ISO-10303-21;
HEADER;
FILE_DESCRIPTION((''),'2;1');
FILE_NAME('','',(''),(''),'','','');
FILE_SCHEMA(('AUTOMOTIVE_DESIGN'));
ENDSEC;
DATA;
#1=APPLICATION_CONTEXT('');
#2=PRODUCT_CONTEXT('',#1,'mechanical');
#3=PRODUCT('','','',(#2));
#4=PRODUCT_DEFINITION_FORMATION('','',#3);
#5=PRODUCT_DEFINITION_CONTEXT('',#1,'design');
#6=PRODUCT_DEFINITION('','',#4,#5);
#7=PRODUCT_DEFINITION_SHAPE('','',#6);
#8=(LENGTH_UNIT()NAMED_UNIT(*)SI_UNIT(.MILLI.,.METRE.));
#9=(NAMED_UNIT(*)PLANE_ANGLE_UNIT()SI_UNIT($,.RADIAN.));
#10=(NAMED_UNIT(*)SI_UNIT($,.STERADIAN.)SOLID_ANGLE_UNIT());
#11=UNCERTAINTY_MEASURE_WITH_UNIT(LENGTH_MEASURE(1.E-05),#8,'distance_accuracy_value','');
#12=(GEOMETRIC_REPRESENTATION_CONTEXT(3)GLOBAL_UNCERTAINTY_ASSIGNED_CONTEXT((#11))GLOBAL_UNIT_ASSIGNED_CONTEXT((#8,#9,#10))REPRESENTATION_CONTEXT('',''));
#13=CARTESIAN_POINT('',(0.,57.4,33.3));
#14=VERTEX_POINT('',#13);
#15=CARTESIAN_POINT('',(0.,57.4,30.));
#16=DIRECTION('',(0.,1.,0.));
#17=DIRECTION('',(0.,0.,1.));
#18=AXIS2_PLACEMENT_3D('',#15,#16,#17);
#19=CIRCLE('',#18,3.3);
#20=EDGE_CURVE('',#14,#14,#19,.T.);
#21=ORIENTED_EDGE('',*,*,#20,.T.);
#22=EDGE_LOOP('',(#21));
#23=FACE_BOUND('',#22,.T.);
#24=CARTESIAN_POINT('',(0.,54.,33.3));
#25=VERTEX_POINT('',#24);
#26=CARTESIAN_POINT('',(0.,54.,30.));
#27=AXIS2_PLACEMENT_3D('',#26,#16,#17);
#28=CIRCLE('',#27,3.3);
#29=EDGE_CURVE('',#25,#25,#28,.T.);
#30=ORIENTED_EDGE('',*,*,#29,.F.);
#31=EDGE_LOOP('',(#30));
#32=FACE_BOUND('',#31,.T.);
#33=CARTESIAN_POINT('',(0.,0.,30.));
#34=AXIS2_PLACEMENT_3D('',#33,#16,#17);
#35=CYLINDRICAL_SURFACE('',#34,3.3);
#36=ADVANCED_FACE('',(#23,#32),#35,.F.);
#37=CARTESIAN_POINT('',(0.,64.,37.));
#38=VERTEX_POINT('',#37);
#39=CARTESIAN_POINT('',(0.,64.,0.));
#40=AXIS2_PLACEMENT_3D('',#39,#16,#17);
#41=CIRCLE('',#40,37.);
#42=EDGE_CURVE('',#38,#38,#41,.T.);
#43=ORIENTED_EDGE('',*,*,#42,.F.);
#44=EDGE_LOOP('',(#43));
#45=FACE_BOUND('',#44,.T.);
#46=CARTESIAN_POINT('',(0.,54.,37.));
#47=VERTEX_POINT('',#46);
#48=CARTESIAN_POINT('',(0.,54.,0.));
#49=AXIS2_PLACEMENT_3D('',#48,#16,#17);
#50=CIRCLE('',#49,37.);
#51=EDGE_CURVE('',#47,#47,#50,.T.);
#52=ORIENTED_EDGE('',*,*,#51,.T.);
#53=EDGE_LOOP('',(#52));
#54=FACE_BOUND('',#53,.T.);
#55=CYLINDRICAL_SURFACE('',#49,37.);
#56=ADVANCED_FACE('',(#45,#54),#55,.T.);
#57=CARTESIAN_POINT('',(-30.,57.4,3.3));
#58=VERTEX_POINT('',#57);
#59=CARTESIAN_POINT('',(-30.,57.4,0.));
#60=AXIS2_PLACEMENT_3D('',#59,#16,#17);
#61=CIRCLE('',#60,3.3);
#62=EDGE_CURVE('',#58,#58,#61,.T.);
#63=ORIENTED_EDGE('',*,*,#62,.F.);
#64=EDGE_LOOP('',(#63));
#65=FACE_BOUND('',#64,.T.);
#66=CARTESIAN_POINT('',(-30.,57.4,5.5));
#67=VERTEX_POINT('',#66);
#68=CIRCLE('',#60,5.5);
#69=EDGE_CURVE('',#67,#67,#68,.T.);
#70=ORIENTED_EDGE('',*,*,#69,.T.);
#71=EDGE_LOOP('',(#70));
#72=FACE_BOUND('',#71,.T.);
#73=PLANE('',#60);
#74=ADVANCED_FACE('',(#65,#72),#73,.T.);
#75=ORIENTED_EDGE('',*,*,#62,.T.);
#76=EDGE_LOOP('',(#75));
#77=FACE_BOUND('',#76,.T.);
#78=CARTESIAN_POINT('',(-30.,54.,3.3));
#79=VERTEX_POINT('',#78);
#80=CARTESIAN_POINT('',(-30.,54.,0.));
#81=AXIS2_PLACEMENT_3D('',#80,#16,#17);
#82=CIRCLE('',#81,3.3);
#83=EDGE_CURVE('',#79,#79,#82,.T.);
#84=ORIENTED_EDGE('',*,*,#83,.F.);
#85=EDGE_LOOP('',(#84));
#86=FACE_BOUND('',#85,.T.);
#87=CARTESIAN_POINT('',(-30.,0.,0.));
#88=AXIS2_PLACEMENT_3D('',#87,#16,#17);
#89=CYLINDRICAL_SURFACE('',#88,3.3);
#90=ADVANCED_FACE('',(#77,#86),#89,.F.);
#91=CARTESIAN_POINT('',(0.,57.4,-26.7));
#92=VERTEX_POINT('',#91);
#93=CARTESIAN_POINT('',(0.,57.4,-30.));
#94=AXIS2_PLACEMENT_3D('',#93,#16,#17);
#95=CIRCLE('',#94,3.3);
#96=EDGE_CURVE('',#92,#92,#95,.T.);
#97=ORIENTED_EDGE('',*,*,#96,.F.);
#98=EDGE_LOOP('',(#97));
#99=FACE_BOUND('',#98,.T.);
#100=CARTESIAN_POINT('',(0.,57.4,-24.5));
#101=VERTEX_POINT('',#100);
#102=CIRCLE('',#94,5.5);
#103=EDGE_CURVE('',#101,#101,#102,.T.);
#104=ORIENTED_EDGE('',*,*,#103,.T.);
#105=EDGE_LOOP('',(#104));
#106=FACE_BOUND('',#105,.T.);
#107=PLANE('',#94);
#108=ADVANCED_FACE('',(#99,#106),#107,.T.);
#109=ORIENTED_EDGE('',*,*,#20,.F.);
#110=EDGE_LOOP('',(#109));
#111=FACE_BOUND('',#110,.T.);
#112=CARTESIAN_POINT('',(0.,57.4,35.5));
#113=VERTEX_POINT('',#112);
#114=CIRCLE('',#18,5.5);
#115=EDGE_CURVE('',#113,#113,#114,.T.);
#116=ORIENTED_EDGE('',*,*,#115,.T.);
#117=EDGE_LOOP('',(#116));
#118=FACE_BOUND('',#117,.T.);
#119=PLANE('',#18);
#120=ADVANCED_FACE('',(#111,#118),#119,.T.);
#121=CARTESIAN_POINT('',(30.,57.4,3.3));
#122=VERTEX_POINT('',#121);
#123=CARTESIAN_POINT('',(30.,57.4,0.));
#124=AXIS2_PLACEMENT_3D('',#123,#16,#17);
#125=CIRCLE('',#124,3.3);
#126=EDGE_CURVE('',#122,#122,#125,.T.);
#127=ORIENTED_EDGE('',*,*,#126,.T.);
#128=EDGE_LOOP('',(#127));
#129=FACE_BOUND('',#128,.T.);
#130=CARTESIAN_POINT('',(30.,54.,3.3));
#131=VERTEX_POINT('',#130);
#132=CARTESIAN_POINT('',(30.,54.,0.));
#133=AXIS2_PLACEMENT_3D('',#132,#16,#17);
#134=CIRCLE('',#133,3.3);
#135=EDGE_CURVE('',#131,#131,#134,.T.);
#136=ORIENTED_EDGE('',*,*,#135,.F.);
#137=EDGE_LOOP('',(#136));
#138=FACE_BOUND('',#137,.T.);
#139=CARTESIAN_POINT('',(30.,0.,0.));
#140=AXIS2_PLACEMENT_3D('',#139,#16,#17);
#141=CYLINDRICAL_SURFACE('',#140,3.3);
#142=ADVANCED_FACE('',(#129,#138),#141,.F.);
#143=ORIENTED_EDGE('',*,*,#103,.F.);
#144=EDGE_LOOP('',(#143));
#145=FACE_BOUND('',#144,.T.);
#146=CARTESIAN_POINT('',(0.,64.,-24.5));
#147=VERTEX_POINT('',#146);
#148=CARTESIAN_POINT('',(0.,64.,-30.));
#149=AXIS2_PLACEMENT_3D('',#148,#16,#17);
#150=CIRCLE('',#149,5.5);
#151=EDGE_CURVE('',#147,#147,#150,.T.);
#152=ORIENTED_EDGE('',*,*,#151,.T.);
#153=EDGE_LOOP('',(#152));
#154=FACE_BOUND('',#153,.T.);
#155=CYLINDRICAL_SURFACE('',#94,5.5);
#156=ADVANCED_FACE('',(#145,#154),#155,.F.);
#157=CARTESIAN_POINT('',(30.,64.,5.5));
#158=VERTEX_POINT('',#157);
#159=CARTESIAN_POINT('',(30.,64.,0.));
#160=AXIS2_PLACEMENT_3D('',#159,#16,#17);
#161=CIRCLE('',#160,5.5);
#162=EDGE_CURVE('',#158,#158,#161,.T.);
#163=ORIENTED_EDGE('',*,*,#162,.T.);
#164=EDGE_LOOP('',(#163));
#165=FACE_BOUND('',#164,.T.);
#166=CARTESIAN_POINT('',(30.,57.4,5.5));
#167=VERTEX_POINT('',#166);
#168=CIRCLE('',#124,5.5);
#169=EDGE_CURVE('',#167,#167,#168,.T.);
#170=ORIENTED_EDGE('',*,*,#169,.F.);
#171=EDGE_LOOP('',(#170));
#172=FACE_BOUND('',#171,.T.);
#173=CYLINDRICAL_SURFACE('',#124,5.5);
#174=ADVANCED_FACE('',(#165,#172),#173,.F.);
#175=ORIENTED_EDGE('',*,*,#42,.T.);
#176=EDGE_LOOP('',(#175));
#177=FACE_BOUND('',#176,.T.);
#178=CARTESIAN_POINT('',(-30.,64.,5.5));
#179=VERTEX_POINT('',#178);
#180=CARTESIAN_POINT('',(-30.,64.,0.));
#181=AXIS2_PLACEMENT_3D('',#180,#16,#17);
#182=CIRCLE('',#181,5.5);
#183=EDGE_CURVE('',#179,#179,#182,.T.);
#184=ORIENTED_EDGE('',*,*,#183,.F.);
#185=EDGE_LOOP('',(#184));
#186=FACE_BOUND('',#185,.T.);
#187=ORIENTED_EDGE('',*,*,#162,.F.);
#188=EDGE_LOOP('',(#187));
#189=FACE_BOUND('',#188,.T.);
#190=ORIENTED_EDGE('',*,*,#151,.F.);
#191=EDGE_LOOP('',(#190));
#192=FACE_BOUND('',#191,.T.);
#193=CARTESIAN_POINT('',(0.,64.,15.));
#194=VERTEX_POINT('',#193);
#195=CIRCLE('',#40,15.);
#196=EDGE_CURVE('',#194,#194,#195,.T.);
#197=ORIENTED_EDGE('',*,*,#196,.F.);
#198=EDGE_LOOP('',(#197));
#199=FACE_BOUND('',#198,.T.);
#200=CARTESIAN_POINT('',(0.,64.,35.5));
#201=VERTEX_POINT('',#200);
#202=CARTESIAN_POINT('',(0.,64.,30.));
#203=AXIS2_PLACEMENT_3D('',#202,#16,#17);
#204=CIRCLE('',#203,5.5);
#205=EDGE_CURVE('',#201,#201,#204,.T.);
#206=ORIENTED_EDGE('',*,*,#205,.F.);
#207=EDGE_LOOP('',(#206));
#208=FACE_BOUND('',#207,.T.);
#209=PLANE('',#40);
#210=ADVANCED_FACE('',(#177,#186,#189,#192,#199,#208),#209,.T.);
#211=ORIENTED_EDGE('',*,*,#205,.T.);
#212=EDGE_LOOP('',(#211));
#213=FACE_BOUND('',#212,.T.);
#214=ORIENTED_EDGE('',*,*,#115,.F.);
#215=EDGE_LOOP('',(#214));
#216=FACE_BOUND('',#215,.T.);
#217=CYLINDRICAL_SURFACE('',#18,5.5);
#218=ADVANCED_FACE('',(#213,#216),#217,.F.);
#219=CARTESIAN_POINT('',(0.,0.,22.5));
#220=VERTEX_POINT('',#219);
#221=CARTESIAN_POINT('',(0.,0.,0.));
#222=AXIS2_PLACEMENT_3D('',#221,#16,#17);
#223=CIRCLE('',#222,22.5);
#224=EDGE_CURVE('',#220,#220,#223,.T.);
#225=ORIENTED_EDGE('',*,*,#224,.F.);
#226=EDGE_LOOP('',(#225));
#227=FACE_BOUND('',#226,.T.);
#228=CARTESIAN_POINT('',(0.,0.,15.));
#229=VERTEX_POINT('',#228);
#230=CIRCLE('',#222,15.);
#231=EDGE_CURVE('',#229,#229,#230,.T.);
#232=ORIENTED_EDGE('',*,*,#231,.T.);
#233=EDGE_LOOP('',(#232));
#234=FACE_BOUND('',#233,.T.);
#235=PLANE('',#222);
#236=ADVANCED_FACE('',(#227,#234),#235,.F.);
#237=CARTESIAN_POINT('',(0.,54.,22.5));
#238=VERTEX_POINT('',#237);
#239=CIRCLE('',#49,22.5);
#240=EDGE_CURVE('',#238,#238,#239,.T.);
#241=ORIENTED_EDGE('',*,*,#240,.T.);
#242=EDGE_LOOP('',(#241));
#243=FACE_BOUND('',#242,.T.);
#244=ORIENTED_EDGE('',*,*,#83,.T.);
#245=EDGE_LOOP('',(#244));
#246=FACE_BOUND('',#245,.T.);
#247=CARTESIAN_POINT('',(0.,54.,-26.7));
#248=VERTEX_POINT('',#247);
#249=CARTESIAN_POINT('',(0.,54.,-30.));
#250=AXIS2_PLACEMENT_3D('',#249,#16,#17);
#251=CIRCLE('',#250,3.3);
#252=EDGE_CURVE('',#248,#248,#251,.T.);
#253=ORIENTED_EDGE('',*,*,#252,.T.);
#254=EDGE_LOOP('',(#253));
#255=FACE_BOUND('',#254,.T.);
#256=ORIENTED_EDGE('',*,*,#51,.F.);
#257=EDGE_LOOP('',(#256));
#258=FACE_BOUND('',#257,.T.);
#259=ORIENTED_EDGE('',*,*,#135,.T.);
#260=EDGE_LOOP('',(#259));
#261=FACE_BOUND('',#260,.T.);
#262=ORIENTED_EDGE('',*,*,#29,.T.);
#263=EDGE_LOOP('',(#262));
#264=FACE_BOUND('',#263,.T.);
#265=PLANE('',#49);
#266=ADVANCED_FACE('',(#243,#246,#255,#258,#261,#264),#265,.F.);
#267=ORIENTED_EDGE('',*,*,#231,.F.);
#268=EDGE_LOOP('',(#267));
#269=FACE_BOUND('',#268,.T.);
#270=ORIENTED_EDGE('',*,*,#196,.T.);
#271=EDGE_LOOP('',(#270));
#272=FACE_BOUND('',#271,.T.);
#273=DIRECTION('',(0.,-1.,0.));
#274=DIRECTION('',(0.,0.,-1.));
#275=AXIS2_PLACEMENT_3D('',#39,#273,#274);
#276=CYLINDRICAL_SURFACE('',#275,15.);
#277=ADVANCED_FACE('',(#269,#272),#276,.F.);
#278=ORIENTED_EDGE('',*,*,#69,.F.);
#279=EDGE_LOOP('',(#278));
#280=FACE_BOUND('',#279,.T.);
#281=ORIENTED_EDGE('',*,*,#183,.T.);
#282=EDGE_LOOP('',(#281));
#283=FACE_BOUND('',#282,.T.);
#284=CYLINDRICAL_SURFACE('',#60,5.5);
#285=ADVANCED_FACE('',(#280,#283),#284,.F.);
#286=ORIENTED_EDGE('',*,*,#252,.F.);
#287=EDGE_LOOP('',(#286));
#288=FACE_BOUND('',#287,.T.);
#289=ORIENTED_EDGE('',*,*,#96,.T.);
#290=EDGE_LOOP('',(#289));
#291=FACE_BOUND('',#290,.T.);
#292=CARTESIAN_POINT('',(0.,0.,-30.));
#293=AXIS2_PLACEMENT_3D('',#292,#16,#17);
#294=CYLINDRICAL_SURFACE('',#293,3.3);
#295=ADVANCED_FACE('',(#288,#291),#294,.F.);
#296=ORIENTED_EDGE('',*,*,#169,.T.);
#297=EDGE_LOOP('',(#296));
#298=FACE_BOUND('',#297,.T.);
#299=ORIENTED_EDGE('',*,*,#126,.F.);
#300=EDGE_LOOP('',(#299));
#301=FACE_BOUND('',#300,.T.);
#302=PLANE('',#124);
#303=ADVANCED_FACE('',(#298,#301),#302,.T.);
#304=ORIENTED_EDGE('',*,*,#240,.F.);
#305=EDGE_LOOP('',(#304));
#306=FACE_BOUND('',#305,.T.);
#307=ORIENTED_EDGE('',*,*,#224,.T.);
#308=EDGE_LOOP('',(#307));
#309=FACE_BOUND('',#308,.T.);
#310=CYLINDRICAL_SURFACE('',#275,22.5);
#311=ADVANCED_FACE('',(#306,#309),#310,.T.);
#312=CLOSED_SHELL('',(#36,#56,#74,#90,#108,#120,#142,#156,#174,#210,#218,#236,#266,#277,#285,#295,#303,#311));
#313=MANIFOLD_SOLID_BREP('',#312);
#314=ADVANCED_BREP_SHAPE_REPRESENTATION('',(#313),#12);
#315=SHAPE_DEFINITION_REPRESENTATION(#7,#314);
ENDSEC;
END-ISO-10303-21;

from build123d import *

# Parameters (mm, degrees)
SKETCH_1_R          = 22.5
SKETCH_1_R_2        = 15
EXTRUDE_1_DEPTH     = 64
SKETCH_2_R          = 37
SKETCH_2_R_2        = 22.5
EXTRUDE_2_DEPTH     = 10
SKETCH_3_R          = 5.5
CUT_EXTRUDE_1_DEPTH = 6.6
SKETCH_4_R          = 3.3
CUT_EXTRUDE_2_DEPTH = 65


with BuildPart() as part:
    # 草图1 → 凸台-拉伸1 (new body)
    with BuildSketch(Plane(origin=(0, 0, 0), x_dir=(1, 0, 0), z_dir=(0, 1, 0))):
        Circle(SKETCH_1_R)
        Circle(SKETCH_1_R_2, mode=Mode.SUBTRACT)
    extrude(amount=EXTRUDE_1_DEPTH)

    # 草图2 → 凸台-拉伸2 (add)
    with BuildSketch(Plane(origin=(0, 64, 0), x_dir=(1, 0, 0), z_dir=(0, 1, 0))):
        Circle(SKETCH_2_R)
        Circle(SKETCH_2_R_2, mode=Mode.SUBTRACT)
    extrude(amount=-EXTRUDE_2_DEPTH)

    # 草图3 → 切除-拉伸1 (cut)
    with BuildSketch(Plane(origin=(0, 64, 0), x_dir=(1, 0, 0), z_dir=(0, 1, 0))):
        with Locations((0, 30)):
            Circle(SKETCH_3_R)
        with Locations((30, 0)):
            Circle(SKETCH_3_R)
        with Locations((0, -30)):
            Circle(SKETCH_3_R)
        with Locations((-30, 0)):
            Circle(SKETCH_3_R)
    extrude(amount=-CUT_EXTRUDE_1_DEPTH, mode=Mode.SUBTRACT)

    # 草图4 → 切除-拉伸2 (cut, through all)
    with BuildSketch(Plane(origin=(0, 64, 0), x_dir=(1, 0, 0), z_dir=(0, 1, 0))):
        with Locations((0, 30)):
            Circle(SKETCH_4_R)
        with Locations((30, 0)):
            Circle(SKETCH_4_R)
        with Locations((0, -30)):
            Circle(SKETCH_4_R)
        with Locations((-30, 0)):
            Circle(SKETCH_4_R)
    extrude(amount=-CUT_EXTRUDE_2_DEPTH, mode=Mode.SUBTRACT)


solid = part.part
